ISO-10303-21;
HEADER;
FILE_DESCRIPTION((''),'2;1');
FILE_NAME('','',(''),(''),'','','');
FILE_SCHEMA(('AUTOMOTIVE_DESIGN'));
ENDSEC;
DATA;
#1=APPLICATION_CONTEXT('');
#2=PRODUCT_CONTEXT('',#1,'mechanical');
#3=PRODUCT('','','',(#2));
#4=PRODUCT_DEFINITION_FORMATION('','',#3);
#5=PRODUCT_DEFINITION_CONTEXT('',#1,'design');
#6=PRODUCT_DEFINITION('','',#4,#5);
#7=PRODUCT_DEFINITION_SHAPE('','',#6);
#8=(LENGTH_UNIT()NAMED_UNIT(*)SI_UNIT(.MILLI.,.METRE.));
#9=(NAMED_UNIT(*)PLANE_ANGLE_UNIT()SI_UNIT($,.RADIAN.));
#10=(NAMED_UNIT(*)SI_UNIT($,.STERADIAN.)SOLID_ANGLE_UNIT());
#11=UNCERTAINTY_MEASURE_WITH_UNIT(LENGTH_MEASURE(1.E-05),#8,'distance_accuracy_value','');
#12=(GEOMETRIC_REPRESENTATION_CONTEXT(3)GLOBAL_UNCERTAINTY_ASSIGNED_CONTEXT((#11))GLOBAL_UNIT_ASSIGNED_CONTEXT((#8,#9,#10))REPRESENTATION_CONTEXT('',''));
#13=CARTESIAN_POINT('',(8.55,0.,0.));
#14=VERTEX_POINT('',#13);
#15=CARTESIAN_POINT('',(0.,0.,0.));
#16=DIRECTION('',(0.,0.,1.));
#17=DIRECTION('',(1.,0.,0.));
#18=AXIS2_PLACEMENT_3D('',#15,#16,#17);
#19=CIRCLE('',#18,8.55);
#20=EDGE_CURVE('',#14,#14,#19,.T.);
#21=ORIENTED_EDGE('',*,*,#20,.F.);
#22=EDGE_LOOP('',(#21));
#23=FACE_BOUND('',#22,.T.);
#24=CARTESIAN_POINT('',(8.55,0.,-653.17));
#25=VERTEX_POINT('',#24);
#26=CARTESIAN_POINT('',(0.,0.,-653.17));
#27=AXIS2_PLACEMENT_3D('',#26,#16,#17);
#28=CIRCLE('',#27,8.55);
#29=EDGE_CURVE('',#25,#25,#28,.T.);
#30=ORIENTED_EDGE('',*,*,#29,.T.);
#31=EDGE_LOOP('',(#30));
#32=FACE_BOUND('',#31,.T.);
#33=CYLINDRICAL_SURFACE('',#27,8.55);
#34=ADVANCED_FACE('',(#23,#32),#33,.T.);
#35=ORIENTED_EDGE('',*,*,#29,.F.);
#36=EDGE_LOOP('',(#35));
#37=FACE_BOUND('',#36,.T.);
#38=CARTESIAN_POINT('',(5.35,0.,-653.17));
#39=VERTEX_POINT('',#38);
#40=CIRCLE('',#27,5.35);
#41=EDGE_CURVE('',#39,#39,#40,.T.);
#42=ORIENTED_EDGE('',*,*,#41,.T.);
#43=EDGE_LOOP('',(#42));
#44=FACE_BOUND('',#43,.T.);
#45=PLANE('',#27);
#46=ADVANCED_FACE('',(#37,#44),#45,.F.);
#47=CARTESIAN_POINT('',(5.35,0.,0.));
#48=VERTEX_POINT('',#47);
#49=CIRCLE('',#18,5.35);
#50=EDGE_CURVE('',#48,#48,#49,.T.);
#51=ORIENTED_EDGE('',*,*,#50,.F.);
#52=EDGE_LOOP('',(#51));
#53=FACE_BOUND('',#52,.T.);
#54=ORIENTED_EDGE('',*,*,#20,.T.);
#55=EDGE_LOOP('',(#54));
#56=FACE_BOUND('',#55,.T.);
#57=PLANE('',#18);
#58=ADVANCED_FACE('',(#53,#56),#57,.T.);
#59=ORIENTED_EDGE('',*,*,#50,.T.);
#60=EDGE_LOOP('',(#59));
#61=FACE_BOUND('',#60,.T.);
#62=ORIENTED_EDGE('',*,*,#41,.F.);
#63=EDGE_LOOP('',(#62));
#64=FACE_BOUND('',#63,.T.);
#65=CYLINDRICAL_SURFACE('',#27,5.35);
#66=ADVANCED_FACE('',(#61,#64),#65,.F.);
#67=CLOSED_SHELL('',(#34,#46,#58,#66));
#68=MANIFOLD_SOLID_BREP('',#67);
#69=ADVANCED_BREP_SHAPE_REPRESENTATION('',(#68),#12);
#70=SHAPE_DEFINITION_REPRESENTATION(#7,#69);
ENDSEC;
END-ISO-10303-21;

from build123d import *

# Parameters (mm, degrees)
SKETCH1_R           = 8.55
SKETCH1_R_2         = 5.35
BOSS_EXTRUDE1_DEPTH = 653.17


with BuildPart() as part:
    # Sketch1 → Boss-Extrude1 (new body)
    with BuildSketch(Plane.XY):
        Circle(SKETCH1_R)
        Circle(SKETCH1_R_2, mode=Mode.SUBTRACT)
    extrude(amount=-BOSS_EXTRUDE1_DEPTH)


solid = part.part
